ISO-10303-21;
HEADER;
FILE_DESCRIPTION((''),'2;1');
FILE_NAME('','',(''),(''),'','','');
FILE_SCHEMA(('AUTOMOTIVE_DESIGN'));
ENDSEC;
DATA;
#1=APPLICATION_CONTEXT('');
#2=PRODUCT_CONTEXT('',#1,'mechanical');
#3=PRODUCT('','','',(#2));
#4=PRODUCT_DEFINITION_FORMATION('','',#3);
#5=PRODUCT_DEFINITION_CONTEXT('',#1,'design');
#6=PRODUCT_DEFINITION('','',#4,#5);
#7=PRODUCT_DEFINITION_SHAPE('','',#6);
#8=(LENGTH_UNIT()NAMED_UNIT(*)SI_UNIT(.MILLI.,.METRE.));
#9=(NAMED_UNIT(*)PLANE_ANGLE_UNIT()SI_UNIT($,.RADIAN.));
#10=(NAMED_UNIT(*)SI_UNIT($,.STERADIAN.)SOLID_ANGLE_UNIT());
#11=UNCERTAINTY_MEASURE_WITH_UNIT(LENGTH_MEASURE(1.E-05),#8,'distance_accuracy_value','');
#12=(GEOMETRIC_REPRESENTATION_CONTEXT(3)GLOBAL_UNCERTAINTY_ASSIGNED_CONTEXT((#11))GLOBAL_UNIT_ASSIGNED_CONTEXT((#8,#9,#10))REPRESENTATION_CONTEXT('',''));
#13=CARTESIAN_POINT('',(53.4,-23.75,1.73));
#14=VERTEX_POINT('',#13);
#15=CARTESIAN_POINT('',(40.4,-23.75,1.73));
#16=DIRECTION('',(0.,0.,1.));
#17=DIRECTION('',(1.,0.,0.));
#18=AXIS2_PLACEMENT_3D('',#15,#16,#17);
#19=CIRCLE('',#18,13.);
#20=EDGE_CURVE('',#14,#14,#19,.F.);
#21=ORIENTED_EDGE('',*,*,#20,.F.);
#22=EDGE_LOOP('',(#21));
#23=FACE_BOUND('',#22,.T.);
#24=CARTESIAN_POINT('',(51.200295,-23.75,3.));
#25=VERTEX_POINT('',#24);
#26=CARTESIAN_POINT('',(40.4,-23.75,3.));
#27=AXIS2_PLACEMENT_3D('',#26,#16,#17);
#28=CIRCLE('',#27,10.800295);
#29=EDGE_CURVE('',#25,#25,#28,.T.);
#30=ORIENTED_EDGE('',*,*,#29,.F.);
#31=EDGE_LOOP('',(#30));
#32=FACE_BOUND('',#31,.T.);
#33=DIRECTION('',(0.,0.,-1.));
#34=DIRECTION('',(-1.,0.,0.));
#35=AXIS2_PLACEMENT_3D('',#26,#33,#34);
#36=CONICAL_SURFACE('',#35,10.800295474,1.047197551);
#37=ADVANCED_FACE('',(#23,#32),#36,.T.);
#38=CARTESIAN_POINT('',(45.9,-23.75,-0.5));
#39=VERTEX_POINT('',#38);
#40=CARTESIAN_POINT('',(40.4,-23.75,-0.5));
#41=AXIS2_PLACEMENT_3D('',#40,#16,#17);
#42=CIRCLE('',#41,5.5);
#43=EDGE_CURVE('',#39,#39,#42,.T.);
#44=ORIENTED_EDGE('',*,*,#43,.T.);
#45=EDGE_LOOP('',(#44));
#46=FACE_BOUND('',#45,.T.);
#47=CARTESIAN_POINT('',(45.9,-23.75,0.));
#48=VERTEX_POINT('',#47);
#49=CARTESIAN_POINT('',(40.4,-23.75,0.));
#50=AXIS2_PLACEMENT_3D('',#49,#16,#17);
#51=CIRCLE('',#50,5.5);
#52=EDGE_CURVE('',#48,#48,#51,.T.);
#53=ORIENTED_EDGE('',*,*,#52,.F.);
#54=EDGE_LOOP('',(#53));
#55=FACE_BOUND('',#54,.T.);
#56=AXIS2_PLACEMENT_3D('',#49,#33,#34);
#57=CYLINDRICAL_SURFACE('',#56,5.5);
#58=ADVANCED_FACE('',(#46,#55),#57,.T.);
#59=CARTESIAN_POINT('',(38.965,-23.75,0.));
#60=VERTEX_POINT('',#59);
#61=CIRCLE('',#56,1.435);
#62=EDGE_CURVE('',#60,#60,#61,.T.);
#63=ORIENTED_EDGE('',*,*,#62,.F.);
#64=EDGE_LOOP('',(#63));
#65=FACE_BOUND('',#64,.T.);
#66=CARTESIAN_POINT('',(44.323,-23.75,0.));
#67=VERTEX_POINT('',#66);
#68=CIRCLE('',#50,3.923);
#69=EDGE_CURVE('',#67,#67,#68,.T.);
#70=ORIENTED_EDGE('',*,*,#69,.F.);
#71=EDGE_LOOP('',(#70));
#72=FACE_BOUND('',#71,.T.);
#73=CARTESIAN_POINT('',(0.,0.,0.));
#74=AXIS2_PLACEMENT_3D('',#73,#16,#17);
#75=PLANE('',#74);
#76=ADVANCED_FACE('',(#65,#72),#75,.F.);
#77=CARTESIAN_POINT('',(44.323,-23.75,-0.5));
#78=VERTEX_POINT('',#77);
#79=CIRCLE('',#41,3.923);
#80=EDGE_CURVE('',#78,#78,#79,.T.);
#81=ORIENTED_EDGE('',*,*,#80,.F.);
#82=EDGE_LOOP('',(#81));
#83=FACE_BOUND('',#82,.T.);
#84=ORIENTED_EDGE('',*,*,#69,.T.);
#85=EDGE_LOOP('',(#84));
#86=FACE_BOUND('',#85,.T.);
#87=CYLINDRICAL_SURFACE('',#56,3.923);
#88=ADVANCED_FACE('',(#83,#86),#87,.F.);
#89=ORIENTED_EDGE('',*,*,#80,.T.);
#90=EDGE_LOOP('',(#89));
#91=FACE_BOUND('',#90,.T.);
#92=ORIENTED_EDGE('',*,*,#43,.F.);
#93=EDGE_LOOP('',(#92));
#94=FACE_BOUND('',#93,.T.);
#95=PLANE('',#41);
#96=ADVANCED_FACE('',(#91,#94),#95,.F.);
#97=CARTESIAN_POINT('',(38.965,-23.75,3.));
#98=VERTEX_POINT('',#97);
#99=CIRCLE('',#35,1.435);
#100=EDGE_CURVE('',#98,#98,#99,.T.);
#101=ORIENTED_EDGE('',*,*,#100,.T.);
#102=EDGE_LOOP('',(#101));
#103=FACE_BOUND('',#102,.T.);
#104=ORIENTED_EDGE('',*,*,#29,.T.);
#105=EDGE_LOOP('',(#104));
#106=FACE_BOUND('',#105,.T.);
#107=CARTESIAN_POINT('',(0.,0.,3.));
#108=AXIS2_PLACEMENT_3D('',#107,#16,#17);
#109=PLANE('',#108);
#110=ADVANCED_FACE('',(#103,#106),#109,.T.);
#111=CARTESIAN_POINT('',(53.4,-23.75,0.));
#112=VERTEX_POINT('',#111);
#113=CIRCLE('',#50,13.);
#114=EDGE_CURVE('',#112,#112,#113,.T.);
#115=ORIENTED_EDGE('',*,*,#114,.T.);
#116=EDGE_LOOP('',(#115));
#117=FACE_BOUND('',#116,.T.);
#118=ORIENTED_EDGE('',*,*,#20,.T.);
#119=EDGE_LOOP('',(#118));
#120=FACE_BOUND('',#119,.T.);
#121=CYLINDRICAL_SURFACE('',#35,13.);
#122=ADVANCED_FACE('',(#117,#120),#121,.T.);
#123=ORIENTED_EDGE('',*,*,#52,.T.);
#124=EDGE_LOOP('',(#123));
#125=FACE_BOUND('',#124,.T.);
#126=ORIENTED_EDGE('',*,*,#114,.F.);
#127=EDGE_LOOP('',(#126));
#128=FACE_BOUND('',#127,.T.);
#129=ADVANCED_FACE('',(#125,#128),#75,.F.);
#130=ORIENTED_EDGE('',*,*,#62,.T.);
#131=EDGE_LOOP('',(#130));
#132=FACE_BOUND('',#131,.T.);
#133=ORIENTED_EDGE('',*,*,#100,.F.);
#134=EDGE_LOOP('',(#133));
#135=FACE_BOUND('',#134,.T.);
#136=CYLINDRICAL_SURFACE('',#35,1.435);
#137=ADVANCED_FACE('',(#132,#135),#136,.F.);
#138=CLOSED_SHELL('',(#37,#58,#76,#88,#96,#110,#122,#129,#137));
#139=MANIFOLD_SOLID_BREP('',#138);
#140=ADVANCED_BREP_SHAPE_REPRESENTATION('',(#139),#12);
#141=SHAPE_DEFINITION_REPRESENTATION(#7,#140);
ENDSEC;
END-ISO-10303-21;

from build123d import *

# Parameters (mm, degrees)
SKETCH2_R           = 5.5
SKETCH2_R_2         = 3.923
BOSS_EXTRUDE1_DEPTH = 0.5
SKETCH3_R           = 13
SKETCH3_R_2         = 5.5
SKETCH3_R_3         = 3.923
BOSS_EXTRUDE2_DEPTH = 3
SKETCH4_R           = 1.435
CUT_EXTRUDE1_DEPTH  = 65.893162175
CHAMFER1_SIZE       = 1.27
CHAMFER1_SIZE2      = 2.199704526


with BuildPart() as part:
    # Sketch2 → Boss-Extrude1 (new body)
    with BuildSketch(Plane.XY.offset(-0.5)):
        with Locations((40.399999972, -23.75)):
            Circle(SKETCH2_R)
        with Locations((40.399999972, -23.75)):
            Circle(SKETCH2_R_2, mode=Mode.SUBTRACT)
    extrude(amount=BOSS_EXTRUDE1_DEPTH)

    # Sketch3 → Boss-Extrude2 (add)
    with BuildSketch(Plane.XY):
        with Locations((40.399999972, -23.75)):
            Circle(SKETCH3_R)
        with Locations((40.399999972, -23.75)):
            Circle(SKETCH3_R_2, mode=Mode.SUBTRACT)
        with Locations((40.399999972, -23.75)):
            Circle(SKETCH3_R_2)
        with Locations((40.399999972, -23.75)):
            Circle(SKETCH3_R_3, mode=Mode.SUBTRACT)
        with Locations((40.399999972, -23.75)):
            Circle(SKETCH3_R_3)
    extrude(amount=BOSS_EXTRUDE2_DEPTH)

    # Sketch4 → Cut-Extrude1 (cut, through all)
    with BuildSketch(Plane(origin=(0, 0, 0), x_dir=(-1, 0, 0), z_dir=(0, 0, -1))):
        with Locations((-40.399999972, -23.75)):
            Circle(SKETCH4_R)
    extrude(amount=-CUT_EXTRUDE1_DEPTH, mode=Mode.SUBTRACT)

    # Chamfer1
    chamfer1_edges = [part.edges().sort_by_distance(p)[0] for p in [
        (27.399999972, -23.75, 3),
    ]]
    chamfer1_side = [part.faces().sort_by_distance(p)[0] for p in [
        (27.399999972, -23.75, 1.5),
    ]]
    chamfer(chamfer1_edges, length=CHAMFER1_SIZE, length2=CHAMFER1_SIZE2, reference=chamfer1_side[0])


solid = part.part
